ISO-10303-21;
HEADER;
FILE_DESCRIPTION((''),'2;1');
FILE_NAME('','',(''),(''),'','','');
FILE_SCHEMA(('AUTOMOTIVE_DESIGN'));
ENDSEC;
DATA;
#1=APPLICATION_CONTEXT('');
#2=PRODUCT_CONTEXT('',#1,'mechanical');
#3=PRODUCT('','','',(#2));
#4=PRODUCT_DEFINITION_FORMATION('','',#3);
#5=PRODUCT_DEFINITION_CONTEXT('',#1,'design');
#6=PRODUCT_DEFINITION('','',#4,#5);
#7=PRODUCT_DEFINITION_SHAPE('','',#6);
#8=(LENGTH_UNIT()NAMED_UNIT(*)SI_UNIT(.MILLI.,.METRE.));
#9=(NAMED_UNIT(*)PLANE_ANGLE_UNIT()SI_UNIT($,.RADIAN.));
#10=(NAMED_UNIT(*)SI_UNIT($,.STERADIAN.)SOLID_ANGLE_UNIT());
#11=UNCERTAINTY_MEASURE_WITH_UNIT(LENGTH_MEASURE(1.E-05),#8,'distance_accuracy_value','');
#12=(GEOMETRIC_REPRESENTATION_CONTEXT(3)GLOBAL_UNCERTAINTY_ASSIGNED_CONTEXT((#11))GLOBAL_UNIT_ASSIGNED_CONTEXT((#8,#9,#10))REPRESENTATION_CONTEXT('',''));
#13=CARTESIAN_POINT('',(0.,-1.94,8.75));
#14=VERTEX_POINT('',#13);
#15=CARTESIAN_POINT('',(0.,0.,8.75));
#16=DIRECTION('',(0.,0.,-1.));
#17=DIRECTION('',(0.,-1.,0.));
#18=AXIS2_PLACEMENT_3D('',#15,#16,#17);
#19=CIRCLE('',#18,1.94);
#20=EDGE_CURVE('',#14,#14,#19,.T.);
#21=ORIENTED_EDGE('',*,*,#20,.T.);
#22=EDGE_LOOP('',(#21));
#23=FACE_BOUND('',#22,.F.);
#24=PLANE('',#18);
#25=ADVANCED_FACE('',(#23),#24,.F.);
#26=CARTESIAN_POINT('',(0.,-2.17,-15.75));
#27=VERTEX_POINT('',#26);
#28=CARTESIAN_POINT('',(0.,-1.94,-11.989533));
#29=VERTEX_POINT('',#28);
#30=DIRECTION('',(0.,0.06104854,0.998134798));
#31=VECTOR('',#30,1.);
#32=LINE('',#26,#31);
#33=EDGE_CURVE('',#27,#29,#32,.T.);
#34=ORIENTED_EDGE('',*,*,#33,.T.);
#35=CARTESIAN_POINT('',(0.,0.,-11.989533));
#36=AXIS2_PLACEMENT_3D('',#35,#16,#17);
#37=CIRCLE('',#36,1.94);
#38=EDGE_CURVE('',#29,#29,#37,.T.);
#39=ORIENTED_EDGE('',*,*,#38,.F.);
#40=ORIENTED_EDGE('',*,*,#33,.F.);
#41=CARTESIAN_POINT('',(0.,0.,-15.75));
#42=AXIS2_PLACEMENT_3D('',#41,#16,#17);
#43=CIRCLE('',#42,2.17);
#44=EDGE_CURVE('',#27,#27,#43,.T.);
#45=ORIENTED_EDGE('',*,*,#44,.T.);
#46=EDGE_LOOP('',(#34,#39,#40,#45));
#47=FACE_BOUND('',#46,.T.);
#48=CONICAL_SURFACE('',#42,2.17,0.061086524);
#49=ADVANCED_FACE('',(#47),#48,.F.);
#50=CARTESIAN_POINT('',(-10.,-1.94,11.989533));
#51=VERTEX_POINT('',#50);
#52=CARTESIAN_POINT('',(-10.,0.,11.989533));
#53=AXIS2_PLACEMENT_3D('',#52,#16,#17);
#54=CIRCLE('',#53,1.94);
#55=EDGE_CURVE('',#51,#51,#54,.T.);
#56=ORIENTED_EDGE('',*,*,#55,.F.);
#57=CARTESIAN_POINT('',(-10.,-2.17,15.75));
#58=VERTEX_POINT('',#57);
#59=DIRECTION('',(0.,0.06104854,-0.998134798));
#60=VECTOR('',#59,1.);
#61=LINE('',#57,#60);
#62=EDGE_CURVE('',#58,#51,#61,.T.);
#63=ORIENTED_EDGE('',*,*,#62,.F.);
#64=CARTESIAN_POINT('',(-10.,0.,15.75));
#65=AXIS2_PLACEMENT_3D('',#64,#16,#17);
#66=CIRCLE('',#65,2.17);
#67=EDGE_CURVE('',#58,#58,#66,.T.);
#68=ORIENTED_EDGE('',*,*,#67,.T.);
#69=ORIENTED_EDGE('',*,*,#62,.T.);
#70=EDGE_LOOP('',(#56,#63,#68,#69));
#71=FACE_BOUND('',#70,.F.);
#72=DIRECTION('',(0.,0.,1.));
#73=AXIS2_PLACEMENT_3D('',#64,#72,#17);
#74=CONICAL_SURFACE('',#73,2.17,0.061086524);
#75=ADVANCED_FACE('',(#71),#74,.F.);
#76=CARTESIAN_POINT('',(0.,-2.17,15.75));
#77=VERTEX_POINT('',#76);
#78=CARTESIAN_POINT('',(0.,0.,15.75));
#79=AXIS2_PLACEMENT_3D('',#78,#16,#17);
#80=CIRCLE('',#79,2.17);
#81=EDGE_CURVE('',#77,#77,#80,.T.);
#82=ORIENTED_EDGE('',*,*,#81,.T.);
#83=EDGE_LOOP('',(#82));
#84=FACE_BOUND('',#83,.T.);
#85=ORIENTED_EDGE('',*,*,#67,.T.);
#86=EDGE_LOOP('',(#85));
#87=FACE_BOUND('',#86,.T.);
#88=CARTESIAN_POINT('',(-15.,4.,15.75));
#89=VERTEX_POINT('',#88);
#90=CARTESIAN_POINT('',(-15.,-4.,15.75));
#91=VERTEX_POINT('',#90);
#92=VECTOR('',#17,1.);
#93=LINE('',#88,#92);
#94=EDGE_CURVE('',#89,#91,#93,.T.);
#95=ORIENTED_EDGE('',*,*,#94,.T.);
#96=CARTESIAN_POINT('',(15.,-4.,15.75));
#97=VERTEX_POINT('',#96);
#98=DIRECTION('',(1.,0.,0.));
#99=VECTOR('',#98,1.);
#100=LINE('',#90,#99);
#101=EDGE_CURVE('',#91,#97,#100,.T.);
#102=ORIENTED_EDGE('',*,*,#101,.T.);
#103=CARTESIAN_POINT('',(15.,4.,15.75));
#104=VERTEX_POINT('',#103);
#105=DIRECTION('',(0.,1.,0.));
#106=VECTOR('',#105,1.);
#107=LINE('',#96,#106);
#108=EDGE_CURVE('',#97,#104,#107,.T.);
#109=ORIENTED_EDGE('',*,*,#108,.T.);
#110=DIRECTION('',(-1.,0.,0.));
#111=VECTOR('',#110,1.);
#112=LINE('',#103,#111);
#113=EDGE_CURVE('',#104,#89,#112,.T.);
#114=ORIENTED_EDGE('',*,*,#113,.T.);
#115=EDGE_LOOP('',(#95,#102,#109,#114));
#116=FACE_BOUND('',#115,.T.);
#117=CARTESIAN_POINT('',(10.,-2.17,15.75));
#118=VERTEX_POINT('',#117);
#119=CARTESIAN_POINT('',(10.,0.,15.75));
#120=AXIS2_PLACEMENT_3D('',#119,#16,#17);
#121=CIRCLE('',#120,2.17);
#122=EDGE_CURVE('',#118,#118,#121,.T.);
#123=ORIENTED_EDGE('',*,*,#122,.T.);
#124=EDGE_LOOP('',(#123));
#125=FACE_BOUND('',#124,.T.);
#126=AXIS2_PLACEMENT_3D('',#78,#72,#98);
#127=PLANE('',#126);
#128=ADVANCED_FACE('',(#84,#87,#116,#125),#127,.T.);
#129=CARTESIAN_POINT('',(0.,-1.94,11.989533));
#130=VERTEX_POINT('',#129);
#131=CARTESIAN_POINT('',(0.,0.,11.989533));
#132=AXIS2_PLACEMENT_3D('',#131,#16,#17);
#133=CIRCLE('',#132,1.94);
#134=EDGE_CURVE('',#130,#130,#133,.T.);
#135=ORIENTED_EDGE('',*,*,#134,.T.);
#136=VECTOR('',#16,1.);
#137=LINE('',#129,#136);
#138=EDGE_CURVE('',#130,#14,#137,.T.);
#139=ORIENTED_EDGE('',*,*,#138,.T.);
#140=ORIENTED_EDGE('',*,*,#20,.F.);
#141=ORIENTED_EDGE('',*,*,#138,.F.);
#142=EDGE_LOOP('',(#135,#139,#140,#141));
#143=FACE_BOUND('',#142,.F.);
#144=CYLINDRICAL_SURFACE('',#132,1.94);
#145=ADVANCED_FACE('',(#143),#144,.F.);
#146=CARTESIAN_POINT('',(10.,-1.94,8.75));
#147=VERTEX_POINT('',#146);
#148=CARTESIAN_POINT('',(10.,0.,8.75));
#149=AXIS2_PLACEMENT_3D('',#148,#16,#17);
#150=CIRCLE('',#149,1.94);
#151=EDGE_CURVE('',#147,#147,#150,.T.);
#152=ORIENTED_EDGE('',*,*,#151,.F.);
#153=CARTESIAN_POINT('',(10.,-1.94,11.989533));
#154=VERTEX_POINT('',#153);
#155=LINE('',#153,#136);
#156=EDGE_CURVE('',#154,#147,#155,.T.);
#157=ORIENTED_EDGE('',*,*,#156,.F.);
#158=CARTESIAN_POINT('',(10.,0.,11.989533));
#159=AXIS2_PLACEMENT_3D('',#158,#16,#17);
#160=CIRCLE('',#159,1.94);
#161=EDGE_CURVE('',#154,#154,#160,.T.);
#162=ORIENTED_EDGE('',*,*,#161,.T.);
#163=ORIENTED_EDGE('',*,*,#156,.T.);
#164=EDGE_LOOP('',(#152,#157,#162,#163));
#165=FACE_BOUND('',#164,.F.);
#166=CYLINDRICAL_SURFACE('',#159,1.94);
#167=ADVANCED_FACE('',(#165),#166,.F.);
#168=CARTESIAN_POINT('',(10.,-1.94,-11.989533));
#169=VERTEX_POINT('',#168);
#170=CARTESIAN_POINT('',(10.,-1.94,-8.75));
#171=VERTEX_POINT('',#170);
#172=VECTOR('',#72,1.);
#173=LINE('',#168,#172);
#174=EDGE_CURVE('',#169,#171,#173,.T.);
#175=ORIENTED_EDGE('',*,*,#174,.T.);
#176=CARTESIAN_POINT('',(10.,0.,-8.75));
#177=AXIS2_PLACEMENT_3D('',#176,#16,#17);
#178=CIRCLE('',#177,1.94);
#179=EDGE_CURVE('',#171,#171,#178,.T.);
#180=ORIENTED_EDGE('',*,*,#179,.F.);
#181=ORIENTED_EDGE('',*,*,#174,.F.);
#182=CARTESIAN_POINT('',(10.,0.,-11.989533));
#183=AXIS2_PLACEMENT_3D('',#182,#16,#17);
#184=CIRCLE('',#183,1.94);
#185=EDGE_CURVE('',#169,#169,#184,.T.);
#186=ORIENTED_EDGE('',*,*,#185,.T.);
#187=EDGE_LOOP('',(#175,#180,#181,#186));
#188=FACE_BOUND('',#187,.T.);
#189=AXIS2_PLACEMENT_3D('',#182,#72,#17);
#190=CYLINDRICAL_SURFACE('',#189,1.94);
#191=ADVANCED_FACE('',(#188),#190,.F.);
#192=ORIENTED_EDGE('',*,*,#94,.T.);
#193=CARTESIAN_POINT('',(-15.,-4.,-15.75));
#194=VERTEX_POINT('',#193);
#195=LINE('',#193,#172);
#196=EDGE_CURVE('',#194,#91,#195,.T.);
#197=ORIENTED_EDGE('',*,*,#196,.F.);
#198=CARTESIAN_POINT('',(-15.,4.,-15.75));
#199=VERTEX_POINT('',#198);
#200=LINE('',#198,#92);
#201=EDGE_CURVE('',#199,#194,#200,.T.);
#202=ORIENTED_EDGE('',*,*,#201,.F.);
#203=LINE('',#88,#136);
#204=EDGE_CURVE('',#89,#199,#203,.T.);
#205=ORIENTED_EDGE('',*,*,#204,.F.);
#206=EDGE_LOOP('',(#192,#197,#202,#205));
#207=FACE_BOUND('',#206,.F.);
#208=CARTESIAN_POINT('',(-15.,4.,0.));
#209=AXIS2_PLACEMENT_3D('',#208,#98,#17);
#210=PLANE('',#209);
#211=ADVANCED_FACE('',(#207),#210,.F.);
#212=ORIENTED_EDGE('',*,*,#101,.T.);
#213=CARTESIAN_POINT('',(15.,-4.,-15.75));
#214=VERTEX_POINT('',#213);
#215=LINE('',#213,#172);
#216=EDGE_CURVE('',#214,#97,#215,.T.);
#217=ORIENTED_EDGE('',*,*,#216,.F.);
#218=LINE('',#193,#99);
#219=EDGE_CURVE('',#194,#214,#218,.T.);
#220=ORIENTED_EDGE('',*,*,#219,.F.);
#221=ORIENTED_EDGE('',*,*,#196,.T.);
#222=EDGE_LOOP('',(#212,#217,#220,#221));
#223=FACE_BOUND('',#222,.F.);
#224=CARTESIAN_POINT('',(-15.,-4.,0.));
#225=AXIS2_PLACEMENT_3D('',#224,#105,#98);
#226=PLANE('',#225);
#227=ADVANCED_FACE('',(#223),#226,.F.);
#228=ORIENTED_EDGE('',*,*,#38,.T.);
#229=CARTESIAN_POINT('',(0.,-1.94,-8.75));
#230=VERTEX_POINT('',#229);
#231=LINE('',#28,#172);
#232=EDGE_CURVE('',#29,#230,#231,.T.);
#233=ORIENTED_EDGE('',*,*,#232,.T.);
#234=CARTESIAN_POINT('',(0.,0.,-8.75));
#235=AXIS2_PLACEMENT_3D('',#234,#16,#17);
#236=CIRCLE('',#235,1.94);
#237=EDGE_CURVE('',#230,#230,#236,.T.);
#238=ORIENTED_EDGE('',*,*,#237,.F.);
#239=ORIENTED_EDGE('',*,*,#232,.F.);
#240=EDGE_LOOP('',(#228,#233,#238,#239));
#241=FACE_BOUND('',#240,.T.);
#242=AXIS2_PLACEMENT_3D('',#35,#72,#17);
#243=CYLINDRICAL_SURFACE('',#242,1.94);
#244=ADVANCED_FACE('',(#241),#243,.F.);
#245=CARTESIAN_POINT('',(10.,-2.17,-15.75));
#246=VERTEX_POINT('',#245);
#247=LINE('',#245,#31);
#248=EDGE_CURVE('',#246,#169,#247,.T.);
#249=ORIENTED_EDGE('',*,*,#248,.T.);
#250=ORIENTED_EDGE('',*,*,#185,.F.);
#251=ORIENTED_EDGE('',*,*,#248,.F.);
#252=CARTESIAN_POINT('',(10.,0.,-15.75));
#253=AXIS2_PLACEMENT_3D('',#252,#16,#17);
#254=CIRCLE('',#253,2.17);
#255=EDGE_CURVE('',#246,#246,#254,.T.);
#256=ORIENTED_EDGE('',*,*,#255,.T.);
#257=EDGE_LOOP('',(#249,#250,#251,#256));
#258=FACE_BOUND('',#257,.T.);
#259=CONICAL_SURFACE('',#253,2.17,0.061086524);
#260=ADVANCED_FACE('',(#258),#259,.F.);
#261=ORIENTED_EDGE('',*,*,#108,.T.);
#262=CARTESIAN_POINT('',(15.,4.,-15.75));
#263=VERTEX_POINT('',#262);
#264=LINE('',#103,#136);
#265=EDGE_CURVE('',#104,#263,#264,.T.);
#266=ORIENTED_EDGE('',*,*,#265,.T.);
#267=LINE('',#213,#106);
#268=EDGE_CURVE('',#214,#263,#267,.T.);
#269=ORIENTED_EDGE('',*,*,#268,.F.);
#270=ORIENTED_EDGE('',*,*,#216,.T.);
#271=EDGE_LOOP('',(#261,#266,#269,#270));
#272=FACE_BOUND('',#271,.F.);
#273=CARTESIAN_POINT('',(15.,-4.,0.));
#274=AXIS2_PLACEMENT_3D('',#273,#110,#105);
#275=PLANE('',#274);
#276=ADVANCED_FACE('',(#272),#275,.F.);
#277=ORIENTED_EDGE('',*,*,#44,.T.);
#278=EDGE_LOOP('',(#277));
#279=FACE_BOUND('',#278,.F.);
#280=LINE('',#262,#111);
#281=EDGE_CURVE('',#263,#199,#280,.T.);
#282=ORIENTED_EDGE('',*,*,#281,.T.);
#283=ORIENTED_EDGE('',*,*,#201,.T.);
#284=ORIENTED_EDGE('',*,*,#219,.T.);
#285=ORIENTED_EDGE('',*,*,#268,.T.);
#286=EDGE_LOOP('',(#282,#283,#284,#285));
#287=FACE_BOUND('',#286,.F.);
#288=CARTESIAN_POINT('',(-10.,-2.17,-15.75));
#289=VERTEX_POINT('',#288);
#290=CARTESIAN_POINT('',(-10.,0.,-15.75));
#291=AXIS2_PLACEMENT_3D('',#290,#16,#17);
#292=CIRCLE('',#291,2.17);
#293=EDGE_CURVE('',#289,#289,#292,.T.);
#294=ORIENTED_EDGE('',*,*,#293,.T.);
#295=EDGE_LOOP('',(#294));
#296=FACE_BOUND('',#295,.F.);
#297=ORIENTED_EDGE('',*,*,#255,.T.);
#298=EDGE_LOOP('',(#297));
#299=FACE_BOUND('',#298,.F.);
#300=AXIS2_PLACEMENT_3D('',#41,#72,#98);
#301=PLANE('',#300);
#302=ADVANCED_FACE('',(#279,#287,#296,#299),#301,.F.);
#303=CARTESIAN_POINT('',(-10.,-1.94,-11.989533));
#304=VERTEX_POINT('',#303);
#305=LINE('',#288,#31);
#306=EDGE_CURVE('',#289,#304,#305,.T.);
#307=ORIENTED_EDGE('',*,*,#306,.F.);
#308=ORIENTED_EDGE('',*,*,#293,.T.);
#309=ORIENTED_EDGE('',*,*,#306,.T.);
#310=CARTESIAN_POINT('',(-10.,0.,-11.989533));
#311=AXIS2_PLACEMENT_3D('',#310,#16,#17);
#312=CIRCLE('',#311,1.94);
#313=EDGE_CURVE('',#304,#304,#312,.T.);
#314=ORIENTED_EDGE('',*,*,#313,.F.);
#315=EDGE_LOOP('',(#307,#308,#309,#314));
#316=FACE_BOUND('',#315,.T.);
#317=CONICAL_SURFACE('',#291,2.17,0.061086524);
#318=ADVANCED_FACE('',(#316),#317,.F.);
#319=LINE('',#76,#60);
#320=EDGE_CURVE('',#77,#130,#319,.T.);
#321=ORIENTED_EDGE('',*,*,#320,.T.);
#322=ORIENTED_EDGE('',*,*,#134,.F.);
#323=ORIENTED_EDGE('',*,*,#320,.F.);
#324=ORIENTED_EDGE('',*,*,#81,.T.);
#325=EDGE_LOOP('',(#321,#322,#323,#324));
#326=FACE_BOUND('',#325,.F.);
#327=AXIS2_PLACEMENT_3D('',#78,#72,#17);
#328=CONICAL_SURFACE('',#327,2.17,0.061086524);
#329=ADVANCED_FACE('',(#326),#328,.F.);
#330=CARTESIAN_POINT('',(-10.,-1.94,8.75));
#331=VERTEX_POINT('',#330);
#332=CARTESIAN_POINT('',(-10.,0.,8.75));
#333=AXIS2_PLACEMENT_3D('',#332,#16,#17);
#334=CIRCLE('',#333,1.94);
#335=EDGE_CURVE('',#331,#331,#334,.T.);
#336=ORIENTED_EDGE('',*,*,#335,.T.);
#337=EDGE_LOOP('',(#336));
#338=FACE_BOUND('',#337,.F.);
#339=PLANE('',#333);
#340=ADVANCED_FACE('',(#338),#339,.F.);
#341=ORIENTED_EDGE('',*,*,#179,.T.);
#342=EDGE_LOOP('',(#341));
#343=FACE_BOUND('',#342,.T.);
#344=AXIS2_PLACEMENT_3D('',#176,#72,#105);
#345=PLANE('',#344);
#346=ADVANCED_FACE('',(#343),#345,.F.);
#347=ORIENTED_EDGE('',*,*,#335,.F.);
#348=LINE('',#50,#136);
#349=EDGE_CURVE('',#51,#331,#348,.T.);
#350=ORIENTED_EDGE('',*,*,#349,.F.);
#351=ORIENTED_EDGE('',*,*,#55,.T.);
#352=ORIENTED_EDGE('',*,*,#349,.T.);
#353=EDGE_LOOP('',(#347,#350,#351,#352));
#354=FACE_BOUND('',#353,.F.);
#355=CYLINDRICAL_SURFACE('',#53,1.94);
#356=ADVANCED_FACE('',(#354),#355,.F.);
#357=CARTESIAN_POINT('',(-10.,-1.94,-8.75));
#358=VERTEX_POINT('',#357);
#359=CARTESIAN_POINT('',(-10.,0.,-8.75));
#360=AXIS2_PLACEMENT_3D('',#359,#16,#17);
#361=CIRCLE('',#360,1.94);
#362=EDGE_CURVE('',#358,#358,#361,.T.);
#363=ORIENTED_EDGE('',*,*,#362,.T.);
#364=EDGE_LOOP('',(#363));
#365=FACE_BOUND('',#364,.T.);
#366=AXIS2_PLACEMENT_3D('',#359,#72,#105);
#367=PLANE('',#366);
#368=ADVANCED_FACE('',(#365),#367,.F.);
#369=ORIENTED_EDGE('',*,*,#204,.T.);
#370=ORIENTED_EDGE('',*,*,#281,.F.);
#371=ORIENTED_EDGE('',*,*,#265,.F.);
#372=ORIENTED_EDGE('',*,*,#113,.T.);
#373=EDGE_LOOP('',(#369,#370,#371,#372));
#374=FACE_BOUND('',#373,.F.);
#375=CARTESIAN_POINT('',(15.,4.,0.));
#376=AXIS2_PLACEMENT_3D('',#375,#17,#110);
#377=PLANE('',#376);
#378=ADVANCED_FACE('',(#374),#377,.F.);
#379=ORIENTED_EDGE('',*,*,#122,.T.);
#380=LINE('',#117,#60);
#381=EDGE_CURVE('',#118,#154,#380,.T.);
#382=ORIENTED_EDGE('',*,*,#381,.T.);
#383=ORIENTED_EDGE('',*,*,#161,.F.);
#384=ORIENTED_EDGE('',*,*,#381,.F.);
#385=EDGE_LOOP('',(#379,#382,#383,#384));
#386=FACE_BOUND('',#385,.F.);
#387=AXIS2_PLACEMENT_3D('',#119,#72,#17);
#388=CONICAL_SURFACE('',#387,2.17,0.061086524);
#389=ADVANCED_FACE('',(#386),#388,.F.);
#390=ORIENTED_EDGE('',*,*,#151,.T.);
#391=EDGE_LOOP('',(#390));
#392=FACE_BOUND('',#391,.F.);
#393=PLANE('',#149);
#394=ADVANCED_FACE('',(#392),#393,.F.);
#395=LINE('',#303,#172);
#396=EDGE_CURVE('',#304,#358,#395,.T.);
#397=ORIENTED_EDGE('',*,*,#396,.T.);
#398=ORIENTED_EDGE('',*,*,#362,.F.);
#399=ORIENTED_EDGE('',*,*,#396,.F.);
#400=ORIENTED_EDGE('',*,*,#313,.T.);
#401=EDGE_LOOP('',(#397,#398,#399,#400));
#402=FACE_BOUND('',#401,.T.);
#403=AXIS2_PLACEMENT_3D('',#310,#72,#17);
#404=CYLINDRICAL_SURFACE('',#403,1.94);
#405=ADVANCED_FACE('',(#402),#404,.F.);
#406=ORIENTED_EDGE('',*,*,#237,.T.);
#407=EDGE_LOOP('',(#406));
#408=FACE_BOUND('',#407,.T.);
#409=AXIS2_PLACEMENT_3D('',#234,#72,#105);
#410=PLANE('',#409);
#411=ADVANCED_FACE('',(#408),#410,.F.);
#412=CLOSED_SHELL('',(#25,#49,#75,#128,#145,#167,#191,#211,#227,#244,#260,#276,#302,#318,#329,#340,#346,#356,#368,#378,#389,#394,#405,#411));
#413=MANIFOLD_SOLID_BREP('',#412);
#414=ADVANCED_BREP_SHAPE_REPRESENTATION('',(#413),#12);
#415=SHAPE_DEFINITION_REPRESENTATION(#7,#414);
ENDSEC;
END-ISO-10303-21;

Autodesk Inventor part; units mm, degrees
ref_plane "YZ Plane" through (0, 0, 0) normal (1, 0, 0) x (0, 1, 0)
ref_plane "XZ Plane" through (0, 0, 0) normal (0, 1, 0) x (-1, 0, 0)
ref_plane "XY Plane" through (0, 0, 0) normal (0, 0, 1) x (1, 0, 0)
sketch "Sketch1" plane through (0, 0, 0) normal (0, 0, 1) x (1, 0, 0)
  line L0 (-15, -4) -> (15, -4)
  line L1 (15, -4) -> (15, 4)
  line L2 (15, 4) -> (-15, 4)
  line L3 (-15, 4) -> (-15, -4)
  line L4 (-15, -4) -> (15, 4) construction
  line L5 (15, -4) -> (-15, 4) construction
  point P0 (0, 0)
  dimension "d0" = 8
  dimension "d1" = 30
extrude "Extrusion1" add sketch "Sketch1" along normal blind 15.75 and the other way blind 15.75
sketch "Sketch2" plane through (0, 0, 15.75) normal (0, 0, 1) x (1, 0, 0)
  circle A0 centre (0, 0) radius 1.5
  dimension "d4" = 3
hole "Hole1" at (0, 0, 15.75) direction (0, 0, -1) diameter 3.88 depth 7 countersink diameter 4.34 countersink angle 7
pattern_linear "Rectangular Pattern1" count 2 spacing 10 along (-1, 0, 0) count 2 spacing 10 along (1, 0, 0) of "Hole1"
mirror "Mirror1" about plane through (0, 0, 0) normal (0, 0, 1) of "Hole1", "Rectangular Pattern1"
properties part number "cycloid_base_bottom"
